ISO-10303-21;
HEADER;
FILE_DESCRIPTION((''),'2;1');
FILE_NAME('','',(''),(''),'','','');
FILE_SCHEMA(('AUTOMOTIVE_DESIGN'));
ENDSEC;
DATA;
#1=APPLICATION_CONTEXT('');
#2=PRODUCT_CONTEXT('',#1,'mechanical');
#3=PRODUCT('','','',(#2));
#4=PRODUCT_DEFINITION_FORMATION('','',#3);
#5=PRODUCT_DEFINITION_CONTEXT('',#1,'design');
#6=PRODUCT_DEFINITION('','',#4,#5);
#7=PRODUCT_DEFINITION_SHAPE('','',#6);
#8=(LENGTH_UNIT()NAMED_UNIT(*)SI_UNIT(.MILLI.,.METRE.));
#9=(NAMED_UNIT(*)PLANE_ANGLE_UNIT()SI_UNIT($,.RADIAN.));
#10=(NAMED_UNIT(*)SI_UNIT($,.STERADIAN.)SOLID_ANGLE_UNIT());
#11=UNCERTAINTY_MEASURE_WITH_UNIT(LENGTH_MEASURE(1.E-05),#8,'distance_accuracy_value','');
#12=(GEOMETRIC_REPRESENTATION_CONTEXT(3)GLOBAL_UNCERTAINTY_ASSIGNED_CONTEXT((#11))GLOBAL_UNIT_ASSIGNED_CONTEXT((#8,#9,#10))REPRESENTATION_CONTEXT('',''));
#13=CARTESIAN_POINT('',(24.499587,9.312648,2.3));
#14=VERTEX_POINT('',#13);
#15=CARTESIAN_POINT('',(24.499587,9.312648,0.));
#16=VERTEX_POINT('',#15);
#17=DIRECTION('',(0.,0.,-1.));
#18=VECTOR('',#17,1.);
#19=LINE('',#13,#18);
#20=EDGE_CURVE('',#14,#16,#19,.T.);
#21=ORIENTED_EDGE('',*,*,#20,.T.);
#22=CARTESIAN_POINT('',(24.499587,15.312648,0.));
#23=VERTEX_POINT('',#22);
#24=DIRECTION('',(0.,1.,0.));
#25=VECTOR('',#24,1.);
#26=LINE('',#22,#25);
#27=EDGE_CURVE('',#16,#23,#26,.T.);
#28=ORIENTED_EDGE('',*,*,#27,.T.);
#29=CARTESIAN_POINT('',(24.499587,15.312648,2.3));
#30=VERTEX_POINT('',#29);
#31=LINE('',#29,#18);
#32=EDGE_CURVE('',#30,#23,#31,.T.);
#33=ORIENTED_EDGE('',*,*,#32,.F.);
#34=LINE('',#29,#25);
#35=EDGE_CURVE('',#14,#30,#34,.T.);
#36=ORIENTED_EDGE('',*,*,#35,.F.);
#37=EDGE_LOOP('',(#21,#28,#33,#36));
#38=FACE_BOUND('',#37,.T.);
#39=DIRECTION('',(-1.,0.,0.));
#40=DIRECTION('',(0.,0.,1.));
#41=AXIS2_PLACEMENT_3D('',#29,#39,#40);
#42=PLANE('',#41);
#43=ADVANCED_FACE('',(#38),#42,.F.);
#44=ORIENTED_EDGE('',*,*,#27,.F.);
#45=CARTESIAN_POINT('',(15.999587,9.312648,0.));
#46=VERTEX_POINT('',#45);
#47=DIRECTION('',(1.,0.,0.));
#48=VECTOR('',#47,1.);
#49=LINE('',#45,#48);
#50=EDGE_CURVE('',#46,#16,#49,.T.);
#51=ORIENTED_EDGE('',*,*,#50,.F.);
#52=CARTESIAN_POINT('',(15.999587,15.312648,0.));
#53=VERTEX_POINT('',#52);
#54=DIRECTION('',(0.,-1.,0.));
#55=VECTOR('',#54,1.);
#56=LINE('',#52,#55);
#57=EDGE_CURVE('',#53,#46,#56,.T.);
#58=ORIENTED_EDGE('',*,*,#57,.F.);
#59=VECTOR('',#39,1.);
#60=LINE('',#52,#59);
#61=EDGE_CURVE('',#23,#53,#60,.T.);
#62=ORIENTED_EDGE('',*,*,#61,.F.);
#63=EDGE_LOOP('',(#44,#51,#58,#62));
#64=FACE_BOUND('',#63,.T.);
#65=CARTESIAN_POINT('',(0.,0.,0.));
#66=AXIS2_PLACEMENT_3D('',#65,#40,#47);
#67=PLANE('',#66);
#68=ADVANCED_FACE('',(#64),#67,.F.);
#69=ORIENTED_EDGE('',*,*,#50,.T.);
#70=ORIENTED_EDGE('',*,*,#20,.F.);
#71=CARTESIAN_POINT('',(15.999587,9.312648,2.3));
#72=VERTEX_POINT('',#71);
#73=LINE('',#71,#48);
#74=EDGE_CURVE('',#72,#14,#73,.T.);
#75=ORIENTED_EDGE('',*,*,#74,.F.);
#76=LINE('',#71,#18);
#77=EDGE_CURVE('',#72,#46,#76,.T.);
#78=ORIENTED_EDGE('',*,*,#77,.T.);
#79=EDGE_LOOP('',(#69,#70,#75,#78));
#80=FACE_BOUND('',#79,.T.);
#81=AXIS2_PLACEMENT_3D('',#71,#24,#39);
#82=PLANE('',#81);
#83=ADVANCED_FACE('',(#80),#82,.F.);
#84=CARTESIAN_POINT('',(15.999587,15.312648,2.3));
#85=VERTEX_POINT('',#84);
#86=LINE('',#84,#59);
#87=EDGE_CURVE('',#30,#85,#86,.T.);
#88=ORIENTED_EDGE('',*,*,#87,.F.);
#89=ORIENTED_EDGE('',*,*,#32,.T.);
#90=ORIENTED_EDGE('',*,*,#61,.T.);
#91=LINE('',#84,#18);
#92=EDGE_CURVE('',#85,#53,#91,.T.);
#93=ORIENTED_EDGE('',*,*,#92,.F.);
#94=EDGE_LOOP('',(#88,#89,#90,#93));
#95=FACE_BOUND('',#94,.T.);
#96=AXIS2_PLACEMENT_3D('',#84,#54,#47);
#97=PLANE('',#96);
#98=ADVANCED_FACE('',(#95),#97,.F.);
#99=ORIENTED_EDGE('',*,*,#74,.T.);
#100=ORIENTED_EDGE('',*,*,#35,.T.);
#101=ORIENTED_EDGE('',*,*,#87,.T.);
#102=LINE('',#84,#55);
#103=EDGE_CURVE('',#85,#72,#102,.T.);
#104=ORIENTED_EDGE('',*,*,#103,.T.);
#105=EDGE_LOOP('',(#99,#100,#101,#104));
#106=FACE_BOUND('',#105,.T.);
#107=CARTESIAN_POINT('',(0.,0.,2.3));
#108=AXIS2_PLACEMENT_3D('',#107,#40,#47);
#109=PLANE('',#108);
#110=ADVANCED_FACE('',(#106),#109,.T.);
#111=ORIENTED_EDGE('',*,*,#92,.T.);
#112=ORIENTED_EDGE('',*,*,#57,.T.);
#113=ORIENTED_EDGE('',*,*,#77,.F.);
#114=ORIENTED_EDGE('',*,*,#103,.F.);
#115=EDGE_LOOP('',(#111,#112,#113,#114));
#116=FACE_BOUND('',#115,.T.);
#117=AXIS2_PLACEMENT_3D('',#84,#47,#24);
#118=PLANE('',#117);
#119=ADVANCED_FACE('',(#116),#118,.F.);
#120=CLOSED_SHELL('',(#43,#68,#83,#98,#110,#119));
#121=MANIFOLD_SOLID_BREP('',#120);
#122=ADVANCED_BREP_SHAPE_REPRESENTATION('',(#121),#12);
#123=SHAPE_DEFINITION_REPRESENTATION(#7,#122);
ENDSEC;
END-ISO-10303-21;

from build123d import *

# Parameters (mm, degrees)
SKETCH_1_W      = 8.5
SKETCH_1_H      = 6
EXTRUDE_1_DEPTH = 2.3


with BuildPart() as part:
    # 草图1 → 凸台-拉伸1 (new body)
    with BuildSketch(Plane.XY):
        with Locations((20.249587155, 12.312648367)):
            Rectangle(SKETCH_1_W, SKETCH_1_H)
    extrude(amount=EXTRUDE_1_DEPTH)


solid = part.part
